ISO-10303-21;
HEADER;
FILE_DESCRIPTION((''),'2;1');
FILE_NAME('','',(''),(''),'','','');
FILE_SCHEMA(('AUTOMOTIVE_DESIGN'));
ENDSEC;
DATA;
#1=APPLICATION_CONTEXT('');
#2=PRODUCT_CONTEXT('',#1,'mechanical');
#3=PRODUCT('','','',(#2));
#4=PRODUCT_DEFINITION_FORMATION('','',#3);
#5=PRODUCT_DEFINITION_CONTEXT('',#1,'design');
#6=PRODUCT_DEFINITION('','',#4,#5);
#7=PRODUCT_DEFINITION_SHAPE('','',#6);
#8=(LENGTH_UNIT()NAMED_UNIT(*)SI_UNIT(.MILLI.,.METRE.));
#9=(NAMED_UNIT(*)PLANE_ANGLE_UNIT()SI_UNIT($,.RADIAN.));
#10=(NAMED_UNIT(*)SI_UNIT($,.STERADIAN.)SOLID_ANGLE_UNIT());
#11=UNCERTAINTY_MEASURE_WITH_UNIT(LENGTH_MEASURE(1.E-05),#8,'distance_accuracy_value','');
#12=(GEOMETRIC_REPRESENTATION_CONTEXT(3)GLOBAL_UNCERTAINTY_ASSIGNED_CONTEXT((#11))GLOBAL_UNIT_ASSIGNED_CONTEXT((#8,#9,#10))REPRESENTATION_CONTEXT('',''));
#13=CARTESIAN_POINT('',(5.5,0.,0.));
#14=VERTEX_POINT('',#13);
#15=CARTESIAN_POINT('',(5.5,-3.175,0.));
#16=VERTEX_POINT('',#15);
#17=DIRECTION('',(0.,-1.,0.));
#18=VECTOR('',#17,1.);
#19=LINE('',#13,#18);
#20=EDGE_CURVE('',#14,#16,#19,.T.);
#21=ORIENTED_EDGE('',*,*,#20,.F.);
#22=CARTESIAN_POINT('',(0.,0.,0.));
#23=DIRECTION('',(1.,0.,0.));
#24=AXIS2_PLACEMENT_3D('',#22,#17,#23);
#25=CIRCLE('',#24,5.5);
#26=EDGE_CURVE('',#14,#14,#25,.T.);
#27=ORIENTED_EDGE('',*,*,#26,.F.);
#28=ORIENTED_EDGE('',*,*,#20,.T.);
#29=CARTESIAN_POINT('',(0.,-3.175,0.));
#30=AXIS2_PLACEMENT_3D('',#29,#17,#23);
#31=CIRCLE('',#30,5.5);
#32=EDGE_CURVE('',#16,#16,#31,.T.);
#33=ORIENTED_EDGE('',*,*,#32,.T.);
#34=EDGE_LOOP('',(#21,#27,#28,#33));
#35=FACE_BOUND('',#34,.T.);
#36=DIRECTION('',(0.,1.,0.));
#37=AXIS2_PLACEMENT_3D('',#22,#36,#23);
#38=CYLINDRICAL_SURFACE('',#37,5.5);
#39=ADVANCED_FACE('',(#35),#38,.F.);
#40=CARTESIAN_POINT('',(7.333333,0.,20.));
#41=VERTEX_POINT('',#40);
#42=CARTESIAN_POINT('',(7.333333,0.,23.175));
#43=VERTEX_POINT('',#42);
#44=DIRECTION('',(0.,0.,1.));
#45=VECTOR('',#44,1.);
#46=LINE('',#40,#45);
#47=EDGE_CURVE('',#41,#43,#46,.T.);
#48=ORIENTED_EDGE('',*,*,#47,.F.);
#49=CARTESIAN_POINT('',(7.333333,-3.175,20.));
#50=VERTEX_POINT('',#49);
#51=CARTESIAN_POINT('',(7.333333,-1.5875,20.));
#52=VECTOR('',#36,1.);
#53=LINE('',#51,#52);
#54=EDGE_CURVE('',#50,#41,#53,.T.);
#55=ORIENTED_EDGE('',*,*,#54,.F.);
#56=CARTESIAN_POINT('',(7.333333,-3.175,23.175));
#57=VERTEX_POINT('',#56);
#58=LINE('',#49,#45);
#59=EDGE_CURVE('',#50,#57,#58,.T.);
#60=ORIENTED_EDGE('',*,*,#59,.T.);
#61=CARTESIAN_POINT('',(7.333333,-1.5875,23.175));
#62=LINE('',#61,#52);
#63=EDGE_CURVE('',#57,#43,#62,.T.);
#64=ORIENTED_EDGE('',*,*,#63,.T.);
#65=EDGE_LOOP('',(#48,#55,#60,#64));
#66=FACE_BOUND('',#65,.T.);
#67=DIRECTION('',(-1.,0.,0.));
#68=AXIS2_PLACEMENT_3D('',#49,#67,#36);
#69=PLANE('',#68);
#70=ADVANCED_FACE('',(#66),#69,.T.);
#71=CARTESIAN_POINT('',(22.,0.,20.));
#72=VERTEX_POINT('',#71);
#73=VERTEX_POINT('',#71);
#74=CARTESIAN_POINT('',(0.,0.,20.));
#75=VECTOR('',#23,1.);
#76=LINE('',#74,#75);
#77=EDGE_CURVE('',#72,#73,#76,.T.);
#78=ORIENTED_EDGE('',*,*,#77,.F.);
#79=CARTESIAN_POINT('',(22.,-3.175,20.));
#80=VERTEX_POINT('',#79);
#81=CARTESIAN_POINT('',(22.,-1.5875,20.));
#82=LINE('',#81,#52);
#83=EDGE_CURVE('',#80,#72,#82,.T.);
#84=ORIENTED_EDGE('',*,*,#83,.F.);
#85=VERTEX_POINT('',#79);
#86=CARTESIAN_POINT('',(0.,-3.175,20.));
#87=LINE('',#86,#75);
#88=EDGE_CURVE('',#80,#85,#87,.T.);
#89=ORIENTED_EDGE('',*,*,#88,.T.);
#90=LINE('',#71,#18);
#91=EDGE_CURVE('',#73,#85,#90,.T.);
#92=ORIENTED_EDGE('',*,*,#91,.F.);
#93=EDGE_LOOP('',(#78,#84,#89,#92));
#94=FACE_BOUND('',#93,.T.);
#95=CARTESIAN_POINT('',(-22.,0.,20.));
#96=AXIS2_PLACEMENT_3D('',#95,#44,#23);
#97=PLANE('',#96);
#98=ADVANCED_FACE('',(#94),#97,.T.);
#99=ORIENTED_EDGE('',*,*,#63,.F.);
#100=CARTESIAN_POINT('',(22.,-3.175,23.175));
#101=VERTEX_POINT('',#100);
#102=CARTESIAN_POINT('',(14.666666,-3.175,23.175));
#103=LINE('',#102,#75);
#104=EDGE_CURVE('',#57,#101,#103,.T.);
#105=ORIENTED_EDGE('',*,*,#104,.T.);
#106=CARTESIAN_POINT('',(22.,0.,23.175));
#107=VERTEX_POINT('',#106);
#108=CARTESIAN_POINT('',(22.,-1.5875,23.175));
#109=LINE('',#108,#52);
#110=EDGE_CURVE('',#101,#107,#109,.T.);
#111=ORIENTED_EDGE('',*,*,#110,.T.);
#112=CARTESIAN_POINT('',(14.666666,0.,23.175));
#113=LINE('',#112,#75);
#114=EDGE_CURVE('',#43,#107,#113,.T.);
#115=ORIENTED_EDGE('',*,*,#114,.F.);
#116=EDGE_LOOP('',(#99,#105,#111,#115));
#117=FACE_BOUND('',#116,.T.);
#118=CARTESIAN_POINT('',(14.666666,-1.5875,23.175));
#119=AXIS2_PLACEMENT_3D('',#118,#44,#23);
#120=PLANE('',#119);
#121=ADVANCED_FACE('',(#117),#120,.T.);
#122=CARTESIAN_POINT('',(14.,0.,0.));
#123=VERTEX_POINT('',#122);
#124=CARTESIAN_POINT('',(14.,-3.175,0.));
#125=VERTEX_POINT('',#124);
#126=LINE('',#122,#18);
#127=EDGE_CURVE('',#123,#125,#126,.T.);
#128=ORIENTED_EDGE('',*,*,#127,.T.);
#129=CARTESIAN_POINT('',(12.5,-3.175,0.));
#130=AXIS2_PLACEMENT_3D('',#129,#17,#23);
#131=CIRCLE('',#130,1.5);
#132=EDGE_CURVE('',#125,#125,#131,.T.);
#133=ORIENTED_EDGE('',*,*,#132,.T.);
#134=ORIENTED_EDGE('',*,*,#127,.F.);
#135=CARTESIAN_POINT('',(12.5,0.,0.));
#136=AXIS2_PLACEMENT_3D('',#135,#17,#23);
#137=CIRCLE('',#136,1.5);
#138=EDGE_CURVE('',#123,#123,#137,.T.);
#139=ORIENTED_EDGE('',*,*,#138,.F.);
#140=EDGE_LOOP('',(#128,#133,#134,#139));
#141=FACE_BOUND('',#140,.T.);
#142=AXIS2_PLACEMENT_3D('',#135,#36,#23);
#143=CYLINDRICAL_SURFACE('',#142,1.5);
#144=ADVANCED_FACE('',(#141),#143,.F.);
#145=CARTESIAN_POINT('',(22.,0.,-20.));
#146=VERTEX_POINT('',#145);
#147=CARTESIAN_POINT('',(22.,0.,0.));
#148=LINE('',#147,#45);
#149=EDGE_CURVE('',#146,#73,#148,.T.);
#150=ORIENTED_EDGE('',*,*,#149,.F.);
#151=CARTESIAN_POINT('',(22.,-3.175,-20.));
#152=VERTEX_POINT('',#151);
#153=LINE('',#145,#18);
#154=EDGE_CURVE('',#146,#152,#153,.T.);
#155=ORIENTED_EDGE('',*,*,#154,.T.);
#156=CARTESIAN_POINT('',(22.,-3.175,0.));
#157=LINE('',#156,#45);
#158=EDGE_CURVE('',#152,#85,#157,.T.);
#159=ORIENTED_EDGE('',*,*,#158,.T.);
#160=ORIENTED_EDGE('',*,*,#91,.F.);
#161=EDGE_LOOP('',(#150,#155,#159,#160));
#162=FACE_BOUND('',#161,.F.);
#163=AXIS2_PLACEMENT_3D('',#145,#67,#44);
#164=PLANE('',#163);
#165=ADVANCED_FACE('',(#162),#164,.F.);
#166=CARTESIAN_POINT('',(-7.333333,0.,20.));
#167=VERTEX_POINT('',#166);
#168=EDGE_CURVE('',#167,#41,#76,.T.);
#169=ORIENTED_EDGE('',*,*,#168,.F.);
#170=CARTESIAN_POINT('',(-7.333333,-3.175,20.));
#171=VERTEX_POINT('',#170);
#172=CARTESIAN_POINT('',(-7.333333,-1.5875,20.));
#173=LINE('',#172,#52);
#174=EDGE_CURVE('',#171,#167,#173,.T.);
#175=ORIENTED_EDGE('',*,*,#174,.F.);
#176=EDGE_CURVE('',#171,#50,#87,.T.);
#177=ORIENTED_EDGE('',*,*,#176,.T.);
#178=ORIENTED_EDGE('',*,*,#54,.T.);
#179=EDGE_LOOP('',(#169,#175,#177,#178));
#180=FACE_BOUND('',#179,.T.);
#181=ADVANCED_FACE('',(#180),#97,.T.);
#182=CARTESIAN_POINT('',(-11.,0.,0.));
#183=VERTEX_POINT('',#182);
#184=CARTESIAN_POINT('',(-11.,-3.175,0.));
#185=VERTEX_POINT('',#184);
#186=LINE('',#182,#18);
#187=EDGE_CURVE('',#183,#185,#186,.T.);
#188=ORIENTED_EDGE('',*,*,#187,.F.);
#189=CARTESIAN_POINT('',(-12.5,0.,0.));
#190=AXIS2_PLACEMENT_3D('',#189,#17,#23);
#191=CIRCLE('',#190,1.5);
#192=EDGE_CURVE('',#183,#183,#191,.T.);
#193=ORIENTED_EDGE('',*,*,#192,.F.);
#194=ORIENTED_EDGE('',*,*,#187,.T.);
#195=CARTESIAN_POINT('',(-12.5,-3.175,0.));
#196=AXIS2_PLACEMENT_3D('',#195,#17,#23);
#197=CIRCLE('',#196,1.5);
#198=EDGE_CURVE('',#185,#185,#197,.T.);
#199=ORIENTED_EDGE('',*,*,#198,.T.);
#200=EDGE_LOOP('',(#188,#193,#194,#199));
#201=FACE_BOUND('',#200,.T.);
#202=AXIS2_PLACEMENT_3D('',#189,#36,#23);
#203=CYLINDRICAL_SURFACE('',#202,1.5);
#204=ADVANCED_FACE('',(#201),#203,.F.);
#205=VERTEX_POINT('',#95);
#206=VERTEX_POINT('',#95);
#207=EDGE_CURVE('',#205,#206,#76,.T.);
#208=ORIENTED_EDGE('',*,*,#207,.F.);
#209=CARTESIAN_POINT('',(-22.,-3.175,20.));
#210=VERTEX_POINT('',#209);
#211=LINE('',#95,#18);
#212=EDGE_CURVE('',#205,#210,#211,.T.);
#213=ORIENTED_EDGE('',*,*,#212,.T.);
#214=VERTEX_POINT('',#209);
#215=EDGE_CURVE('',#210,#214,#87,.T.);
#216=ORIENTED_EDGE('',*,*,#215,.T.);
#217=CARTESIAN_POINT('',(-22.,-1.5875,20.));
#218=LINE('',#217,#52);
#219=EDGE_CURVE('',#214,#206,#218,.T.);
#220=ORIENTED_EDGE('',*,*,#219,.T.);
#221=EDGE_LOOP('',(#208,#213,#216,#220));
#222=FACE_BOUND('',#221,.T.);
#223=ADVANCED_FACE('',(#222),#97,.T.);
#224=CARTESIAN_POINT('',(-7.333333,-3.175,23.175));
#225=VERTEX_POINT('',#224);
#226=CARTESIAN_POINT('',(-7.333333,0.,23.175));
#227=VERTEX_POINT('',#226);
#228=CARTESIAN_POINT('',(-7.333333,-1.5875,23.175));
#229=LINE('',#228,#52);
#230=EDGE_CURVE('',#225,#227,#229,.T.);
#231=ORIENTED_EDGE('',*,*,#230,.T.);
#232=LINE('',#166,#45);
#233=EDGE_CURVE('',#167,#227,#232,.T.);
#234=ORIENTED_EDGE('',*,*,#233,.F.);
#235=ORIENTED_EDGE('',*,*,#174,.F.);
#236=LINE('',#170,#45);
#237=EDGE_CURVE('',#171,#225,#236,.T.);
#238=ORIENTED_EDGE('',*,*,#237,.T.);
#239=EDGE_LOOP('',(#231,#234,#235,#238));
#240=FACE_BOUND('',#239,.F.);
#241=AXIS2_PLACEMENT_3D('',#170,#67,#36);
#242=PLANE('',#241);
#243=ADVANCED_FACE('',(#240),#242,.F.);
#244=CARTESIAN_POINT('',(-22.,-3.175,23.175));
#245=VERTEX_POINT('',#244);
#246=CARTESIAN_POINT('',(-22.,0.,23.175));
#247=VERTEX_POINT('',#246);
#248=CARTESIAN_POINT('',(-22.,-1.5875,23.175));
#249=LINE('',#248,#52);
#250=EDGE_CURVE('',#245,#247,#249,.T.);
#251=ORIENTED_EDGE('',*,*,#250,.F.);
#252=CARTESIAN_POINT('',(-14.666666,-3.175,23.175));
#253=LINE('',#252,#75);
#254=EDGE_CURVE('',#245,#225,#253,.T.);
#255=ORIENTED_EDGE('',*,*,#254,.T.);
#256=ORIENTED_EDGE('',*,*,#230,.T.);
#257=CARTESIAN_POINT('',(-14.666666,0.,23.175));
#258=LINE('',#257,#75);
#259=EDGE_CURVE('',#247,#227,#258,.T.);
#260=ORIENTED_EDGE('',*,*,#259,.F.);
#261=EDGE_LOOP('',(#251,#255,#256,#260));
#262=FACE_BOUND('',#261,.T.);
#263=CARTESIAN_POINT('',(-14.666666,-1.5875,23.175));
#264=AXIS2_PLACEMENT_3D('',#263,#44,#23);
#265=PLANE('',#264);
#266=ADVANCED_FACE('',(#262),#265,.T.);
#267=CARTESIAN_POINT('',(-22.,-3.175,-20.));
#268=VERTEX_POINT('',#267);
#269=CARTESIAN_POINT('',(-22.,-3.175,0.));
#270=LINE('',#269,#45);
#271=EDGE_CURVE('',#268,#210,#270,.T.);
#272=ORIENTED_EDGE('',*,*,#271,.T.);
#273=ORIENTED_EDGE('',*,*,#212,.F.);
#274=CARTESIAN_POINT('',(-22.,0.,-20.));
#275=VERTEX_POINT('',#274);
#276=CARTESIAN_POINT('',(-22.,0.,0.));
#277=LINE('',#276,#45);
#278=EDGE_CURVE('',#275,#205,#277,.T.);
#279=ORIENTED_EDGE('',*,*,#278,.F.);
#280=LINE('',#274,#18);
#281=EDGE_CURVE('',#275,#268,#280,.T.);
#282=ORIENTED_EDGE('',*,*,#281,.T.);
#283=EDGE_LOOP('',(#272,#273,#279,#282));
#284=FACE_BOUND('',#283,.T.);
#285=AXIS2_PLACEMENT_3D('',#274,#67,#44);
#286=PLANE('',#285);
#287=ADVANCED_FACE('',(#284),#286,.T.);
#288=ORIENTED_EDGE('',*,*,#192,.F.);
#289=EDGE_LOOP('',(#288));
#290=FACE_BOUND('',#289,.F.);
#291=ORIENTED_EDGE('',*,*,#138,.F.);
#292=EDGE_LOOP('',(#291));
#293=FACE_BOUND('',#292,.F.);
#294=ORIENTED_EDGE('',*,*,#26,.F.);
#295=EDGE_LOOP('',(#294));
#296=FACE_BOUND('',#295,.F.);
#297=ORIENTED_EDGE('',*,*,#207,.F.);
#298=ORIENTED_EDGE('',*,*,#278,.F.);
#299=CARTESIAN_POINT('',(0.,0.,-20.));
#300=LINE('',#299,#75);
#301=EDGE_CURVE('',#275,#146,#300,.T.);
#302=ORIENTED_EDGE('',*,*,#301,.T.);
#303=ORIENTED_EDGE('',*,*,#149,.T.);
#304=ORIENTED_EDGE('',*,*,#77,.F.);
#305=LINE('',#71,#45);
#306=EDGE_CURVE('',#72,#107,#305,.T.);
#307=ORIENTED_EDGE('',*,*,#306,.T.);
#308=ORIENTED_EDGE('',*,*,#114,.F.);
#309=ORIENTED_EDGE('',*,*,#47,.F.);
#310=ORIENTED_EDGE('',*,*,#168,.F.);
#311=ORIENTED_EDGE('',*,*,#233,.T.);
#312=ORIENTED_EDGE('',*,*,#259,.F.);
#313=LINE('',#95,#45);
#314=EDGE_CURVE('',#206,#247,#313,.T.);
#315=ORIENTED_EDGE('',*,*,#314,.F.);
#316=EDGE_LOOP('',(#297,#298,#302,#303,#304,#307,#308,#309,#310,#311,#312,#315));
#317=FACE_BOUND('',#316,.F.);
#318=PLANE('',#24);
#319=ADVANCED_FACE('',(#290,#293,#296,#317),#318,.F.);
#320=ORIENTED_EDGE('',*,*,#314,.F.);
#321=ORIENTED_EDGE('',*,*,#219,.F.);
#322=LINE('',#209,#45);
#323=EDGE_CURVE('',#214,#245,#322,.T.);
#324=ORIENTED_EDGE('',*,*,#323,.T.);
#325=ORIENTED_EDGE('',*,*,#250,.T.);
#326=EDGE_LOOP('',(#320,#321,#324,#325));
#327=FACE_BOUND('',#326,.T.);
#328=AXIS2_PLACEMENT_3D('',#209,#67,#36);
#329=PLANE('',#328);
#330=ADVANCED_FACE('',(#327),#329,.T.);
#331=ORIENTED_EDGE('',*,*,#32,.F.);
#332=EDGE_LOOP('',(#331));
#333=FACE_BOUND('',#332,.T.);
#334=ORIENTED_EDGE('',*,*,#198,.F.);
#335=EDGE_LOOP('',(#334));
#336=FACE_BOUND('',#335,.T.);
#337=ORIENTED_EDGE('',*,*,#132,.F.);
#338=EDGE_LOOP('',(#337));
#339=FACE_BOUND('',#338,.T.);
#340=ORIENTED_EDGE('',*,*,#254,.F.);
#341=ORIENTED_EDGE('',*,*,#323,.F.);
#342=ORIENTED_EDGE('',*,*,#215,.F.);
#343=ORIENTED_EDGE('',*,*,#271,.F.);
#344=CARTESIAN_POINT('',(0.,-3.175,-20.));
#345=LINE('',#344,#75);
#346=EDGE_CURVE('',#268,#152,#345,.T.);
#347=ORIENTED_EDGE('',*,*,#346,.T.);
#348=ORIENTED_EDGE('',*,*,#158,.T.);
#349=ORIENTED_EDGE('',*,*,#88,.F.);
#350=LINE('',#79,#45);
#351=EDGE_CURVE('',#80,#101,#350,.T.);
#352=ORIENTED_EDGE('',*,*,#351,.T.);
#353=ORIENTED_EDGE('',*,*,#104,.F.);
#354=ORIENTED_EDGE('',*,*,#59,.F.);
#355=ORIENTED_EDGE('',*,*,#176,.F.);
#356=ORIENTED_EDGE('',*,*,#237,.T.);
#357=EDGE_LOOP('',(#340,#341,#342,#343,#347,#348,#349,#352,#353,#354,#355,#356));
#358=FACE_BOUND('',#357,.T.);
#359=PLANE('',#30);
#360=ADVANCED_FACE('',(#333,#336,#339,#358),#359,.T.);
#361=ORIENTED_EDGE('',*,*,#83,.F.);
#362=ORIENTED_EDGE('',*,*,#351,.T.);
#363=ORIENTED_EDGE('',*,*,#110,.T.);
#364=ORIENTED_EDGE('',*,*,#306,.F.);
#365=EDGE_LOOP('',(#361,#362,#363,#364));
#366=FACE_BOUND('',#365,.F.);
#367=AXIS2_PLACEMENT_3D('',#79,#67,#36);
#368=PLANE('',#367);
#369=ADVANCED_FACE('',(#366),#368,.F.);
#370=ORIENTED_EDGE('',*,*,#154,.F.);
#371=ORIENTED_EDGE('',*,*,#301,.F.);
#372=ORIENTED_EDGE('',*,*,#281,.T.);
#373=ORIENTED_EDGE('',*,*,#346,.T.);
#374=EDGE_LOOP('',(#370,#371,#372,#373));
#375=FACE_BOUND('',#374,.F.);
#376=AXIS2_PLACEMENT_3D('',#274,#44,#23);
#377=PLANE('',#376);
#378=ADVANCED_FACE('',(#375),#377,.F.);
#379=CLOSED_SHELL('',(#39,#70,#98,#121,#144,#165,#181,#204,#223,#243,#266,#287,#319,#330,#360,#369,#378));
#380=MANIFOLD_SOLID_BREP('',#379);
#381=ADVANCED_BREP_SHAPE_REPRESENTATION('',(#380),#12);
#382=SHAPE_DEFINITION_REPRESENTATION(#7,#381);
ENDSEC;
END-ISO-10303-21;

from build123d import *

# Parameters (mm, degrees)
F0_W     = 44
F0_H     = 40
F0_R     = 1.5
F0_R_2   = 5.5
F1_DEPTH = 3.175
F2_W     = 14.666667
F2_H     = 3.175
F3_DEPTH = 3.175


with BuildPart() as f1:
    # F0 (on Front) → F1 (new body)
    with BuildSketch(Plane.XZ):
        Rectangle(F0_W, F0_H)
        with Locations((-12.5, 0)):
            Circle(F0_R, mode=Mode.SUBTRACT)
        Circle(F0_R_2, mode=Mode.SUBTRACT)
        with Locations((12.5, 0)):
            Circle(F0_R, mode=Mode.SUBTRACT)
    extrude(amount=F1_DEPTH)

    # F2 (on face) → F3 (join)
    with BuildSketch(Plane.XY.offset(20)):
        with Locations((-14.666666, -1.5875)):
            Rectangle(F2_W, F2_H)
        with Locations((14.666666, -1.5875)):
            Rectangle(F2_W, F2_H)
    extrude(amount=F3_DEPTH)


solid = f1.part
